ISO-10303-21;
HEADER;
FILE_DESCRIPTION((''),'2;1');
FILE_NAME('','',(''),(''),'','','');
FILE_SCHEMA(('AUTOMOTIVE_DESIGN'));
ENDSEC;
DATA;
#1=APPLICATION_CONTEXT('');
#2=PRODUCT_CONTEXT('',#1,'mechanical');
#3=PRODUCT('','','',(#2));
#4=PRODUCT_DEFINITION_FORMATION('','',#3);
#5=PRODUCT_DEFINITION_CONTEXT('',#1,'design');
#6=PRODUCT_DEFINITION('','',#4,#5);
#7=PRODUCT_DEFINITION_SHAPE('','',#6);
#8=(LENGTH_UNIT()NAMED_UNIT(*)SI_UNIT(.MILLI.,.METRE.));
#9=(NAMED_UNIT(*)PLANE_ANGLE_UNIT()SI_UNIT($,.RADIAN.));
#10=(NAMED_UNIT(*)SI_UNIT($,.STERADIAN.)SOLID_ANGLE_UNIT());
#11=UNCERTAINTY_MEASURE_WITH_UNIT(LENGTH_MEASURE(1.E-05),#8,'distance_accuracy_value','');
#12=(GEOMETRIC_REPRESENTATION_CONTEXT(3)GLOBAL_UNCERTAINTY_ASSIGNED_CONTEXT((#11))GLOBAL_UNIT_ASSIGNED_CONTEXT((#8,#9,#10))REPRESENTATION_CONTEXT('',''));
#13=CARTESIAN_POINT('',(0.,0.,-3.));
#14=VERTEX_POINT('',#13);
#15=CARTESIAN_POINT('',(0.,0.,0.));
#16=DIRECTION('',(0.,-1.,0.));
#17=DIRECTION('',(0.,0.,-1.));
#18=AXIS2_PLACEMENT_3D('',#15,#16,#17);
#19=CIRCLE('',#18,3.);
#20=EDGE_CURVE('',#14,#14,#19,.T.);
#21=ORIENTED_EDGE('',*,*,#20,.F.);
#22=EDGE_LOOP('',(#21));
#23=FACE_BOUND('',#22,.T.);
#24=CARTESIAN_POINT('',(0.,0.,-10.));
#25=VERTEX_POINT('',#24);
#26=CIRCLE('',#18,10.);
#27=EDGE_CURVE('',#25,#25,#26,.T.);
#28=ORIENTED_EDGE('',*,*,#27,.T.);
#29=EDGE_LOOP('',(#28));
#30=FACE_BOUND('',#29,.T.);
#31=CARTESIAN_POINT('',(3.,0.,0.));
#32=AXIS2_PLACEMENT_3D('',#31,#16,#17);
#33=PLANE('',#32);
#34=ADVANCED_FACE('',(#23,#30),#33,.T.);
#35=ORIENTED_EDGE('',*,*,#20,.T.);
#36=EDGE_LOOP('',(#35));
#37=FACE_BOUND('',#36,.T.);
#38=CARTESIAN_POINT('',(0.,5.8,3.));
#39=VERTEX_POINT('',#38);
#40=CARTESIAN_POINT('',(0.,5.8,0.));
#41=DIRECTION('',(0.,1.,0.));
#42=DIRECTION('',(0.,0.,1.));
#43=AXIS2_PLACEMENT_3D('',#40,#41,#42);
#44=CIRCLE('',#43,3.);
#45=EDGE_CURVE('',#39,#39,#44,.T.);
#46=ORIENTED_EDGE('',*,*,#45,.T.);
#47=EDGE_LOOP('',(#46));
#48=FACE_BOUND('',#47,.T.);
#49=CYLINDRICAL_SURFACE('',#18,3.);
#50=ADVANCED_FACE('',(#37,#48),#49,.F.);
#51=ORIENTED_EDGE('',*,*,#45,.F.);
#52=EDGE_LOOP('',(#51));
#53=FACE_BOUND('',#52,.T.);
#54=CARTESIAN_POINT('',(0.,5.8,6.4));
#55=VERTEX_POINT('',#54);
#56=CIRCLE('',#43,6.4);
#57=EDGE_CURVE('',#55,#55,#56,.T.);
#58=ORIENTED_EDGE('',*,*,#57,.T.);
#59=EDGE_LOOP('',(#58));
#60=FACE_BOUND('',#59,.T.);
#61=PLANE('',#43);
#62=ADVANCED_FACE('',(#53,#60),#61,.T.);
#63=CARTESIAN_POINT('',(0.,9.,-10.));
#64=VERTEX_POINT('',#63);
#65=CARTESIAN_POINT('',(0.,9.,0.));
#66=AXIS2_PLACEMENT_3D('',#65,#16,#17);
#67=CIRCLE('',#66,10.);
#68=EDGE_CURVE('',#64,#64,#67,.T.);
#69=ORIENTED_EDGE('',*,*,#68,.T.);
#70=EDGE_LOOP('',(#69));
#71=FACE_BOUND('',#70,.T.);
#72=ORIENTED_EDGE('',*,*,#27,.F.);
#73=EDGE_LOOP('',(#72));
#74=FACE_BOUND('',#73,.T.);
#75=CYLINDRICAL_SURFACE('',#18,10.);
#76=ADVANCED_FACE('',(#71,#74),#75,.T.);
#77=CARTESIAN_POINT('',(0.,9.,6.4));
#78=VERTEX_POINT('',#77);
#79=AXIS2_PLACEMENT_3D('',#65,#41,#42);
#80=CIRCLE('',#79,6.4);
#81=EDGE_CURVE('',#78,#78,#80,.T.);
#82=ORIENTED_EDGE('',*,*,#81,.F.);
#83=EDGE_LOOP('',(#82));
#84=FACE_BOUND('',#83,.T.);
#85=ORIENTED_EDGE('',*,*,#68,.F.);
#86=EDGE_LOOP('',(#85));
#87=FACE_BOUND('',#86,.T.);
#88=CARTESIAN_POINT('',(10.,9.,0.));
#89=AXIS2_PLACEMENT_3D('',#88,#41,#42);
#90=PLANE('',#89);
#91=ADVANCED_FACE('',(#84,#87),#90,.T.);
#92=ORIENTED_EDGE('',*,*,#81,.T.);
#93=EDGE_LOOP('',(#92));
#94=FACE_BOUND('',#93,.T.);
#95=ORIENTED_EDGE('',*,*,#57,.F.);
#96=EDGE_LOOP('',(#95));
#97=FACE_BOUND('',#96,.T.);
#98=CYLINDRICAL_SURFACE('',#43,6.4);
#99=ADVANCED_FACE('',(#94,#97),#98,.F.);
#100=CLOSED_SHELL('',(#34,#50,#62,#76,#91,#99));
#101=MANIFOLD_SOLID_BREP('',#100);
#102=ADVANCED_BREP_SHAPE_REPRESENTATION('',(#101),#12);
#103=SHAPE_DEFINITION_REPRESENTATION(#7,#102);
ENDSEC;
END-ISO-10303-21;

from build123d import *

# Parameters (mm, degrees)
SKETCH1_W          = 7
SKETCH1_H          = 9
SKETCH2_R          = 6.4
CUT_EXTRUDE1_DEPTH = 3.2


with BuildPart() as part:
    # Sketch1 → Revolve1 (revolve)
    with BuildSketch(Plane.XY):
        with Locations((6.5, 4.5)):
            Rectangle(SKETCH1_W, SKETCH1_H)
    revolve(axis=Axis((0, 0, 0), (0, 1, 0)))

    # Sketch2 → Cut-Extrude1 (cut)
    with BuildSketch(Plane(origin=(0, 9, 0), x_dir=(1, 0, 0), z_dir=(0, 1, 0))):
        Circle(SKETCH2_R)
    extrude(amount=-CUT_EXTRUDE1_DEPTH, mode=Mode.SUBTRACT)


solid = part.part
